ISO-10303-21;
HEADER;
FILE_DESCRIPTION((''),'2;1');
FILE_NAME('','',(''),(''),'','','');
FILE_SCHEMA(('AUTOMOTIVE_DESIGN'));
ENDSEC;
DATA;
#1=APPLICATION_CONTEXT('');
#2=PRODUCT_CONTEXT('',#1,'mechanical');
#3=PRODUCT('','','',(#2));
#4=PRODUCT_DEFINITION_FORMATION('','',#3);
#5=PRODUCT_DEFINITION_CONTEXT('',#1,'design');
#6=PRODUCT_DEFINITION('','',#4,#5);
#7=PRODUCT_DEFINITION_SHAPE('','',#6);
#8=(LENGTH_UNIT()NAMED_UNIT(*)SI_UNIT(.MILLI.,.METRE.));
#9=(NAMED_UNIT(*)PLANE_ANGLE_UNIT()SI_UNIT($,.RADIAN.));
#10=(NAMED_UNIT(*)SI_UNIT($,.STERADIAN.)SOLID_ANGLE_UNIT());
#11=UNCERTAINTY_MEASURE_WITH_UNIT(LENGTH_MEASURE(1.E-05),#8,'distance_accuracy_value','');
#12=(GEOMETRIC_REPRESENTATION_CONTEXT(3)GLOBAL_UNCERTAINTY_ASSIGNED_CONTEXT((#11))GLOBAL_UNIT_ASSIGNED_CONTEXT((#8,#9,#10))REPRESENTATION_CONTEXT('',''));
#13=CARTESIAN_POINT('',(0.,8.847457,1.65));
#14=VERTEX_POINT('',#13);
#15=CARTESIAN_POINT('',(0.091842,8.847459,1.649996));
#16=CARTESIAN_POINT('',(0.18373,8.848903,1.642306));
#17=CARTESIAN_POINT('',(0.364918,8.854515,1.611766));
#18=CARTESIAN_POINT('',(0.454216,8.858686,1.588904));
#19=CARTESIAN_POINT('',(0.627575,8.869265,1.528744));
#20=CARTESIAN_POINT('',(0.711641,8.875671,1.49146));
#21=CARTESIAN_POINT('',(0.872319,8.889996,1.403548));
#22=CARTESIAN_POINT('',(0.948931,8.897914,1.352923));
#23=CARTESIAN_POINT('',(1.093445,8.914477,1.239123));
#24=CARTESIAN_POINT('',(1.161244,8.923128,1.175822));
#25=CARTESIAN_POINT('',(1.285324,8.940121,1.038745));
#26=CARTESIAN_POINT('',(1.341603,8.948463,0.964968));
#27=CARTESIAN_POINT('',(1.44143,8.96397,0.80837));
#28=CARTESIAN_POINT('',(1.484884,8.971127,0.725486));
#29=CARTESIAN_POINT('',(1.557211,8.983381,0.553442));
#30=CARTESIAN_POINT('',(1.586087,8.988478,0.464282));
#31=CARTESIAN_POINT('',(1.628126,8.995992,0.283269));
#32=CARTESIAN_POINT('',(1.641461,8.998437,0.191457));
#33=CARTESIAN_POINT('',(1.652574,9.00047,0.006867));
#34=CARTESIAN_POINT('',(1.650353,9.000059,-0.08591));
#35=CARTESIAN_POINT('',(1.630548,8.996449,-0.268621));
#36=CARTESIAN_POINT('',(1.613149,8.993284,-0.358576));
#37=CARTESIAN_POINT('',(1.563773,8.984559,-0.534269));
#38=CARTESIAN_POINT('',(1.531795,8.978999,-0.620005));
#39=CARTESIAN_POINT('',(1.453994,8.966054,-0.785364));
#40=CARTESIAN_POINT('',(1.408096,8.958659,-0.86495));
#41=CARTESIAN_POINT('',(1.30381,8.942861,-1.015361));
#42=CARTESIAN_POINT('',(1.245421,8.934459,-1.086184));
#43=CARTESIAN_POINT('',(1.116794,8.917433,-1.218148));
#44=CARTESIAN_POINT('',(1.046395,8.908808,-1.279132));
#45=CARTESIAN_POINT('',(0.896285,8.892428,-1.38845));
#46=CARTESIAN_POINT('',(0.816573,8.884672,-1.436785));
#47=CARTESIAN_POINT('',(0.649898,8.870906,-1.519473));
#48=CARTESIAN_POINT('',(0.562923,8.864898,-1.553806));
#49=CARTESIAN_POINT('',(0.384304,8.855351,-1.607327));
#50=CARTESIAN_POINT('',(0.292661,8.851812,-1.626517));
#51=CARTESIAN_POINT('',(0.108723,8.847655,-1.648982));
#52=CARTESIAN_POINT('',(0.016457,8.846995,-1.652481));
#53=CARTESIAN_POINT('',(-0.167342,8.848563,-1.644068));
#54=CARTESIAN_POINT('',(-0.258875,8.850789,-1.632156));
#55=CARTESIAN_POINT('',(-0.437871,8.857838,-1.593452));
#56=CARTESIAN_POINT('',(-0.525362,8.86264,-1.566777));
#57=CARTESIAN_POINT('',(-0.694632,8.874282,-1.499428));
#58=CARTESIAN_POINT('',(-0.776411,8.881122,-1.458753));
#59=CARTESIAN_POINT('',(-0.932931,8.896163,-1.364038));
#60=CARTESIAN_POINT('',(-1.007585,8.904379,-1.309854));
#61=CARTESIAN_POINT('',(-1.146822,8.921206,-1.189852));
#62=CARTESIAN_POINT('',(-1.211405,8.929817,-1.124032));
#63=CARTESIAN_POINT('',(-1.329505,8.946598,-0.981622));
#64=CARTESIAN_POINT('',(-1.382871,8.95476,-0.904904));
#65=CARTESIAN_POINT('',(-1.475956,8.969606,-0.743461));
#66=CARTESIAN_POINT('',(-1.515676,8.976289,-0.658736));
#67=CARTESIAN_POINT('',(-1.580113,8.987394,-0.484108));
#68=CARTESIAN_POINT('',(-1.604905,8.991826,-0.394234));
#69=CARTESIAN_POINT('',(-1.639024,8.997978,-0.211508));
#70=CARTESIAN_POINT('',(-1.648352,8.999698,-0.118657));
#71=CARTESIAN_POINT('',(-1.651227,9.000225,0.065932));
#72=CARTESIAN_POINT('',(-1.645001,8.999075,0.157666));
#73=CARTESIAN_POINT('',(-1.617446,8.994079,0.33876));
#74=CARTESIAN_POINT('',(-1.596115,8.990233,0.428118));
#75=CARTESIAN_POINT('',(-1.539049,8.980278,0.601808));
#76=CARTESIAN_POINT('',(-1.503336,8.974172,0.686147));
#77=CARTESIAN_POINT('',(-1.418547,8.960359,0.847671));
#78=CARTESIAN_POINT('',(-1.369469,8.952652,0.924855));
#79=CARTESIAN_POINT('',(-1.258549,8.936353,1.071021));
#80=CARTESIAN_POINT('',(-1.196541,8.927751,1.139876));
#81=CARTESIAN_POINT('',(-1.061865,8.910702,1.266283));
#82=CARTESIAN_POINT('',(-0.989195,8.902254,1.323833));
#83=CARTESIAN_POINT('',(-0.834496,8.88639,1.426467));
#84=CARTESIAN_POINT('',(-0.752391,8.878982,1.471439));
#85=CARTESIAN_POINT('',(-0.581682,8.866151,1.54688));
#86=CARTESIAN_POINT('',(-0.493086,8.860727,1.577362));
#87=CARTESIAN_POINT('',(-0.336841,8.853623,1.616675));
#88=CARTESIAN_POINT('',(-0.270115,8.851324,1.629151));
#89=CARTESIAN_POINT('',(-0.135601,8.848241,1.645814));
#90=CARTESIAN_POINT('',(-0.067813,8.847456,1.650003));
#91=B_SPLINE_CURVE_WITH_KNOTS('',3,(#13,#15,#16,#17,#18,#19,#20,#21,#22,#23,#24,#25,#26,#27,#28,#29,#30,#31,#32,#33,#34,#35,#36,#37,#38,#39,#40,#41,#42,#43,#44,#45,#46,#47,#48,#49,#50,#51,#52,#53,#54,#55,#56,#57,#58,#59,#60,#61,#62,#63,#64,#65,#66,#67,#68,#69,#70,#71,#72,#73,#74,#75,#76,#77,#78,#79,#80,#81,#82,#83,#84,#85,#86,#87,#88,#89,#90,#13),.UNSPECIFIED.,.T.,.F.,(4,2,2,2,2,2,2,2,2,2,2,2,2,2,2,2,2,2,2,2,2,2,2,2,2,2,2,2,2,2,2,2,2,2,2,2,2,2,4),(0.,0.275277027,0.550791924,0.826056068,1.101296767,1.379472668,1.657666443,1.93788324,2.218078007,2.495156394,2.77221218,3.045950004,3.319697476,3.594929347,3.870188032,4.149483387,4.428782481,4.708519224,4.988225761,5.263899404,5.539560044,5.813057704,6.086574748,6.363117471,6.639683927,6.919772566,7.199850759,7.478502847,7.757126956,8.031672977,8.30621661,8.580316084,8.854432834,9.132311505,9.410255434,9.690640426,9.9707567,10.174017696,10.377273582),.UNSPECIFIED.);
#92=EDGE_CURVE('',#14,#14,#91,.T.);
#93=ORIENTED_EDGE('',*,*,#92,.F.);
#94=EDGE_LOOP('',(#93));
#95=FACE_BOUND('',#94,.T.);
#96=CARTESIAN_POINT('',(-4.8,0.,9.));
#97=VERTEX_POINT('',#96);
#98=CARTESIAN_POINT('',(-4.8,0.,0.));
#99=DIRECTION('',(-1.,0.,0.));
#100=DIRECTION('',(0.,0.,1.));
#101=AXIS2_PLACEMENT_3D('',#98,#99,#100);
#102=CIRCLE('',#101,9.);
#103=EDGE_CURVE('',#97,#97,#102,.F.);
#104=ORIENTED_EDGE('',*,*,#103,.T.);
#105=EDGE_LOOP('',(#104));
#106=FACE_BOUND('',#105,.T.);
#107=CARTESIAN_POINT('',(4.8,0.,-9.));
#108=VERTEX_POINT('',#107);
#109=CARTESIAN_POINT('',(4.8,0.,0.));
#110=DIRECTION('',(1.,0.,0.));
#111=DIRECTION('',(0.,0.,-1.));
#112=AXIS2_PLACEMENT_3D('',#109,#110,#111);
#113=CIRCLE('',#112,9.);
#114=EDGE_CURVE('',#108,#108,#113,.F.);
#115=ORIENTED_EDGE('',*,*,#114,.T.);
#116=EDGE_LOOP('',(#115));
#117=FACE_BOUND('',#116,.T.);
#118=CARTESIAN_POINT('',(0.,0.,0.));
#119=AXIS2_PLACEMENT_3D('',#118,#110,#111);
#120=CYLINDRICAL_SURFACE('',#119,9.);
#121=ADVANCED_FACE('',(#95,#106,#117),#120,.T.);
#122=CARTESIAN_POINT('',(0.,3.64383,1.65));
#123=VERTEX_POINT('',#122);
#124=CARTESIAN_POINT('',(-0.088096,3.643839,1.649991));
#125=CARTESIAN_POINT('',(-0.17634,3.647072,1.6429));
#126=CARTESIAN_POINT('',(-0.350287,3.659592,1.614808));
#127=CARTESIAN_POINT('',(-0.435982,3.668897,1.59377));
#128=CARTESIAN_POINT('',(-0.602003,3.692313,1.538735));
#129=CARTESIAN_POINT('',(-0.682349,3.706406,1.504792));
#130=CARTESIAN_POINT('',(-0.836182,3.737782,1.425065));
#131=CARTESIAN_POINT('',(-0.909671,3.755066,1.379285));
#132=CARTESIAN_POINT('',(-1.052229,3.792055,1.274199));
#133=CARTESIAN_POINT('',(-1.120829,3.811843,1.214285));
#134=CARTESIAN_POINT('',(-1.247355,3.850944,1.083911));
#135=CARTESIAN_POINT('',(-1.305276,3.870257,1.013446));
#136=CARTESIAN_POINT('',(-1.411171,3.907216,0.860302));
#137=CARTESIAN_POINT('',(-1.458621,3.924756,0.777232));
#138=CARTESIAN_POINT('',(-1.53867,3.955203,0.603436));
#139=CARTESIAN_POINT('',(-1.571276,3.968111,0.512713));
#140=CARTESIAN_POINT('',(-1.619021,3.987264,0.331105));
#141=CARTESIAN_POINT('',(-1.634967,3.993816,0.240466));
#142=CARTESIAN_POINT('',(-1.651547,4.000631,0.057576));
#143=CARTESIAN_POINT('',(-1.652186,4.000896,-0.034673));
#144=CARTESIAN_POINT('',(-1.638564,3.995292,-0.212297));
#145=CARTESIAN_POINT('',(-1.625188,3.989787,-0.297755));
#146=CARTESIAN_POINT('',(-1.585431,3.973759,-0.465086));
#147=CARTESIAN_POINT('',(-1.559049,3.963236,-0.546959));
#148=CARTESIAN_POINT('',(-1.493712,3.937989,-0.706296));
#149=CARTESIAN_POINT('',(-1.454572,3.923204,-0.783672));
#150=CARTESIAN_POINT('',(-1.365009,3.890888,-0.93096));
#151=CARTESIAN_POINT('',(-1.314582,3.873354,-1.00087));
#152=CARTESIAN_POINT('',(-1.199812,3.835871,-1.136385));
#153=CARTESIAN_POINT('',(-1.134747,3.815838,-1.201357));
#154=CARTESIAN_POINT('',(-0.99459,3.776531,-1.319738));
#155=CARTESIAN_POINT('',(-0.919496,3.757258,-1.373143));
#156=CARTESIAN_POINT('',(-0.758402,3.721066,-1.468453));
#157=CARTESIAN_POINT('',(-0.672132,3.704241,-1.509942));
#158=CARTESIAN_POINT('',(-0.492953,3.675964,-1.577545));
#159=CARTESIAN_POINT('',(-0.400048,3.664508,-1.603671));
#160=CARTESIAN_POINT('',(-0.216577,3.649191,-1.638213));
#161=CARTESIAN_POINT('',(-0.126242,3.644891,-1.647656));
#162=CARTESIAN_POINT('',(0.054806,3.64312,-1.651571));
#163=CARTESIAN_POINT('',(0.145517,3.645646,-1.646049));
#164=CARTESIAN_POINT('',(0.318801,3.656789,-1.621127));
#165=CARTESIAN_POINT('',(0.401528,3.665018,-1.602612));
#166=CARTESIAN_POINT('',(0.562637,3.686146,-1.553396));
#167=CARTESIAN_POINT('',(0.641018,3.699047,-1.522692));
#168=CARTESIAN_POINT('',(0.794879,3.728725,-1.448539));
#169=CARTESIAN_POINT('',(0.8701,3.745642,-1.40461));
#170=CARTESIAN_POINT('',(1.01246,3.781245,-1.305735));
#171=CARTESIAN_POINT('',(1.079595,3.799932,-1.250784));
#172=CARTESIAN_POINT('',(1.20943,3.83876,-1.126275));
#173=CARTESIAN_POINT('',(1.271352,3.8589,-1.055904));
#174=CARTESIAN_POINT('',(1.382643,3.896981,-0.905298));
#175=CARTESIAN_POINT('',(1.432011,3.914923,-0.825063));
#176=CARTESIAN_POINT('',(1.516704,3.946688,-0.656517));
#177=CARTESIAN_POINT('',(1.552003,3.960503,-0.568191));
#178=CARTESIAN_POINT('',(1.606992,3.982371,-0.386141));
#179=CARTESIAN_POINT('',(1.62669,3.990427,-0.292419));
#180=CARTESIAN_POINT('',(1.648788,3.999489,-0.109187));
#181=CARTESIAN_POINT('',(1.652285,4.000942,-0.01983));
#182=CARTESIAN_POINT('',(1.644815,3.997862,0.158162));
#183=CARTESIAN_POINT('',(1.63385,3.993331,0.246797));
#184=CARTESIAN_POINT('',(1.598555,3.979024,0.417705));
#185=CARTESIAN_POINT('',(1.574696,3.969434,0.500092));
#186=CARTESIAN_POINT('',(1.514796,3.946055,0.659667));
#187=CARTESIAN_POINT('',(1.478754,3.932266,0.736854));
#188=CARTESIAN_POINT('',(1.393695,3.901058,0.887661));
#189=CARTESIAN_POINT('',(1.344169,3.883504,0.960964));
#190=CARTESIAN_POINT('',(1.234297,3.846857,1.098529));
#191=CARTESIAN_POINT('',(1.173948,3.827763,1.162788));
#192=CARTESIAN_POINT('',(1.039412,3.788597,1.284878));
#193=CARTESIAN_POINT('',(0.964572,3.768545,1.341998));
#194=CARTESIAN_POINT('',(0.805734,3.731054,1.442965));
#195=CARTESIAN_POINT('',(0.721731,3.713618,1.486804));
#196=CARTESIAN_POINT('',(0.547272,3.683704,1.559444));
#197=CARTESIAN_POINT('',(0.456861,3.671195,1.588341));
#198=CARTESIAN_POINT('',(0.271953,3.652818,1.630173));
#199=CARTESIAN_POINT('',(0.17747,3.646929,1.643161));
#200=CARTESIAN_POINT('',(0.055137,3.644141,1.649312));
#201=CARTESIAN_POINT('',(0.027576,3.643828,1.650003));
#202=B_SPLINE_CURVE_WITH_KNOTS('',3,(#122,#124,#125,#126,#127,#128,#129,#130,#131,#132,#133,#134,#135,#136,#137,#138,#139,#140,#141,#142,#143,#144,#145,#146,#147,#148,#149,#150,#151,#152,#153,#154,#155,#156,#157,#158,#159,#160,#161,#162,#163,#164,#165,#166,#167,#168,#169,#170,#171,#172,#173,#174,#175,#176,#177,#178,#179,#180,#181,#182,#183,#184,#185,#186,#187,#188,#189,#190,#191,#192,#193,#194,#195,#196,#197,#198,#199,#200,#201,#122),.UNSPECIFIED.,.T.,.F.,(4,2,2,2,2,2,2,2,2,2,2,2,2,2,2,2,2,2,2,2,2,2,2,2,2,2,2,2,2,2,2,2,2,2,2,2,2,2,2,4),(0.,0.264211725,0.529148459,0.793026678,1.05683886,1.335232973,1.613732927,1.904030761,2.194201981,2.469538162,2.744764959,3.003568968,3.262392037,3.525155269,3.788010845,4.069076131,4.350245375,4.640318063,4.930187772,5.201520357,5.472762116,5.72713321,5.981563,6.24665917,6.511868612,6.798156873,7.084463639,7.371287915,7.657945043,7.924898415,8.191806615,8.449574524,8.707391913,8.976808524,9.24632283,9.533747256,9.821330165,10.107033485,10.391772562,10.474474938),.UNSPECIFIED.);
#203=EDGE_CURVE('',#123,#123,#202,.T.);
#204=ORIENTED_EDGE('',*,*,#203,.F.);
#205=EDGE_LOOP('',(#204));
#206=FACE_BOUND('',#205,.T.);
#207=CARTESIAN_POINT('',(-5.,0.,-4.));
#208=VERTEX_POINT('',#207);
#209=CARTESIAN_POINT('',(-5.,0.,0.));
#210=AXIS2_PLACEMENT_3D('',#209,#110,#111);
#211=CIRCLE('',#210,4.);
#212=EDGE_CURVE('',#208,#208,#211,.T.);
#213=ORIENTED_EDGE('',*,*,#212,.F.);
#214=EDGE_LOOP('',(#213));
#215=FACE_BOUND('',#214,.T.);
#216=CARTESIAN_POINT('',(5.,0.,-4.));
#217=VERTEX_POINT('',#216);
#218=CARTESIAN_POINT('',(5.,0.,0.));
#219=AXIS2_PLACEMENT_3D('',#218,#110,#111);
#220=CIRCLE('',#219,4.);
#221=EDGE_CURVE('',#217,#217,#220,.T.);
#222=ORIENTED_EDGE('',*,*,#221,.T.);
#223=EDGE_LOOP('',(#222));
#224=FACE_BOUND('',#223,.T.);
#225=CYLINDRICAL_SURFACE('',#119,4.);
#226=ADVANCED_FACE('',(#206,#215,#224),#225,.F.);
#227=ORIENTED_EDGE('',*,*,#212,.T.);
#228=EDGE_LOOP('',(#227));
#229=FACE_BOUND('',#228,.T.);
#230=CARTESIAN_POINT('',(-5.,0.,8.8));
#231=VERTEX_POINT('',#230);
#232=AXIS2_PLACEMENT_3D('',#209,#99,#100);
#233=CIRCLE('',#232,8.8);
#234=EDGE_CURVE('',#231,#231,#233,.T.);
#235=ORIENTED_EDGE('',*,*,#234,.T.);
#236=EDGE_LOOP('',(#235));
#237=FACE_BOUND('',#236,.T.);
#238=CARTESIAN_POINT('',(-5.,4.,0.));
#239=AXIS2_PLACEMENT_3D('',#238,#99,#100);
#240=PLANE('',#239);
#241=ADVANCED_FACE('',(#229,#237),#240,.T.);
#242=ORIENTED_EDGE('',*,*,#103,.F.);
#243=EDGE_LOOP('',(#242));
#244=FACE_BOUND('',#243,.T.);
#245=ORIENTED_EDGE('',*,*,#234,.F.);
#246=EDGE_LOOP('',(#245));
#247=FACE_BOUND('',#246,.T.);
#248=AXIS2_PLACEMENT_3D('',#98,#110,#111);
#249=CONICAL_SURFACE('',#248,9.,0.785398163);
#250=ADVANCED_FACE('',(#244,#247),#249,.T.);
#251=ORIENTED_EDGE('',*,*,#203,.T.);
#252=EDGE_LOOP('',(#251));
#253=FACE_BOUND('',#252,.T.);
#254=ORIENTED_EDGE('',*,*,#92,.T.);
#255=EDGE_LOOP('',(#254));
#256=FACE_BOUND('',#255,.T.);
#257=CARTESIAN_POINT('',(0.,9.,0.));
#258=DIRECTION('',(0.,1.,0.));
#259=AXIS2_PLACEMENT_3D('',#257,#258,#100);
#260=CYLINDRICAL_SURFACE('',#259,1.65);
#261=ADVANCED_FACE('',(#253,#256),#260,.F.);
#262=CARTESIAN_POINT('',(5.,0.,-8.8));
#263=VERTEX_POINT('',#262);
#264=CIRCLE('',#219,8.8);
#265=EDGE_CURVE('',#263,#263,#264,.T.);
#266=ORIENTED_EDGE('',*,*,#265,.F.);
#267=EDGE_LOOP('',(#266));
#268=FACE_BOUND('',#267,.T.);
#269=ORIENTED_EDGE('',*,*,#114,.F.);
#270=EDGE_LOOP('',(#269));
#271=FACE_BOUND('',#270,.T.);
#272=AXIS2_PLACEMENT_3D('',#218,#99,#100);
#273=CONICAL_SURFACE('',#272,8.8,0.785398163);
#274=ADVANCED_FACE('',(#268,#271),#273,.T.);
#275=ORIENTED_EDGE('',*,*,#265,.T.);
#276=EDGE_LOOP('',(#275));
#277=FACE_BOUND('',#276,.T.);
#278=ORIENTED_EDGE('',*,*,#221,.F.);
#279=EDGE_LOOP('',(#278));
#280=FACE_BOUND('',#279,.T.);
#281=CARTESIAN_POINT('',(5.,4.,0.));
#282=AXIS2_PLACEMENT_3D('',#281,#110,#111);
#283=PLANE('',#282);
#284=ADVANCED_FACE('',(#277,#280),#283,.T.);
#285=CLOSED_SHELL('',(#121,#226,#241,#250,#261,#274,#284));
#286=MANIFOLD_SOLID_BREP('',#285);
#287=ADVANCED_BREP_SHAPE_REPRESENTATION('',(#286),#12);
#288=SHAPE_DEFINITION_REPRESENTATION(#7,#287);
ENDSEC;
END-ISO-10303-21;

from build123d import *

# Parameters (mm, degrees)
SKETCH1_W              = 10
SKETCH1_H              = 5
CHAMFER1_SIZE          = 0.2
M4_TAPPED_HOLE1_REACH  = 22.736
M4_TAPPED_HOLE1_BORE_R = 1.65


with BuildPart() as part:
    # Sketch1 → Revolve1 (revolve)
    with BuildSketch(Plane.XY, mode=Mode.PRIVATE) as revolve1_sk:
        with Locations((0, 6.5)):
            Rectangle(SKETCH1_W, SKETCH1_H)
    revolve(revolve1_sk.sketch.rotate(Axis((0, 0, 0), (-1, 0, 0)), 90), axis=Axis((0, 0, 0), (-1, 0, 0)))

    # Chamfer1
    chamfer1_edges = [part.edges().sort_by_distance(p)[0] for p in [
        (5, 0, 9),
        (-5, 0, 9),
    ]]
    chamfer(chamfer1_edges, length=CHAMFER1_SIZE)

    # M4 Tapped Hole1 bore → M4 Tapped Hole1 (cut, up to next)
    with BuildSketch(Plane(origin=(0, 9, 0), x_dir=(1, 0, 0), z_dir=(0, 1, 0)), mode=Mode.PRIVATE) as m4_tapped_hole1_sk1:
        Circle(M4_TAPPED_HOLE1_BORE_R)
    m4_tapped_hole1_tool1 = extrude(m4_tapped_hole1_sk1.sketch, amount=-M4_TAPPED_HOLE1_REACH, mode=Mode.PRIVATE) & part.part
    add(m4_tapped_hole1_tool1.solids().sort_by_distance((0, 9, 0))[0], mode=Mode.SUBTRACT)


solid = part.part
